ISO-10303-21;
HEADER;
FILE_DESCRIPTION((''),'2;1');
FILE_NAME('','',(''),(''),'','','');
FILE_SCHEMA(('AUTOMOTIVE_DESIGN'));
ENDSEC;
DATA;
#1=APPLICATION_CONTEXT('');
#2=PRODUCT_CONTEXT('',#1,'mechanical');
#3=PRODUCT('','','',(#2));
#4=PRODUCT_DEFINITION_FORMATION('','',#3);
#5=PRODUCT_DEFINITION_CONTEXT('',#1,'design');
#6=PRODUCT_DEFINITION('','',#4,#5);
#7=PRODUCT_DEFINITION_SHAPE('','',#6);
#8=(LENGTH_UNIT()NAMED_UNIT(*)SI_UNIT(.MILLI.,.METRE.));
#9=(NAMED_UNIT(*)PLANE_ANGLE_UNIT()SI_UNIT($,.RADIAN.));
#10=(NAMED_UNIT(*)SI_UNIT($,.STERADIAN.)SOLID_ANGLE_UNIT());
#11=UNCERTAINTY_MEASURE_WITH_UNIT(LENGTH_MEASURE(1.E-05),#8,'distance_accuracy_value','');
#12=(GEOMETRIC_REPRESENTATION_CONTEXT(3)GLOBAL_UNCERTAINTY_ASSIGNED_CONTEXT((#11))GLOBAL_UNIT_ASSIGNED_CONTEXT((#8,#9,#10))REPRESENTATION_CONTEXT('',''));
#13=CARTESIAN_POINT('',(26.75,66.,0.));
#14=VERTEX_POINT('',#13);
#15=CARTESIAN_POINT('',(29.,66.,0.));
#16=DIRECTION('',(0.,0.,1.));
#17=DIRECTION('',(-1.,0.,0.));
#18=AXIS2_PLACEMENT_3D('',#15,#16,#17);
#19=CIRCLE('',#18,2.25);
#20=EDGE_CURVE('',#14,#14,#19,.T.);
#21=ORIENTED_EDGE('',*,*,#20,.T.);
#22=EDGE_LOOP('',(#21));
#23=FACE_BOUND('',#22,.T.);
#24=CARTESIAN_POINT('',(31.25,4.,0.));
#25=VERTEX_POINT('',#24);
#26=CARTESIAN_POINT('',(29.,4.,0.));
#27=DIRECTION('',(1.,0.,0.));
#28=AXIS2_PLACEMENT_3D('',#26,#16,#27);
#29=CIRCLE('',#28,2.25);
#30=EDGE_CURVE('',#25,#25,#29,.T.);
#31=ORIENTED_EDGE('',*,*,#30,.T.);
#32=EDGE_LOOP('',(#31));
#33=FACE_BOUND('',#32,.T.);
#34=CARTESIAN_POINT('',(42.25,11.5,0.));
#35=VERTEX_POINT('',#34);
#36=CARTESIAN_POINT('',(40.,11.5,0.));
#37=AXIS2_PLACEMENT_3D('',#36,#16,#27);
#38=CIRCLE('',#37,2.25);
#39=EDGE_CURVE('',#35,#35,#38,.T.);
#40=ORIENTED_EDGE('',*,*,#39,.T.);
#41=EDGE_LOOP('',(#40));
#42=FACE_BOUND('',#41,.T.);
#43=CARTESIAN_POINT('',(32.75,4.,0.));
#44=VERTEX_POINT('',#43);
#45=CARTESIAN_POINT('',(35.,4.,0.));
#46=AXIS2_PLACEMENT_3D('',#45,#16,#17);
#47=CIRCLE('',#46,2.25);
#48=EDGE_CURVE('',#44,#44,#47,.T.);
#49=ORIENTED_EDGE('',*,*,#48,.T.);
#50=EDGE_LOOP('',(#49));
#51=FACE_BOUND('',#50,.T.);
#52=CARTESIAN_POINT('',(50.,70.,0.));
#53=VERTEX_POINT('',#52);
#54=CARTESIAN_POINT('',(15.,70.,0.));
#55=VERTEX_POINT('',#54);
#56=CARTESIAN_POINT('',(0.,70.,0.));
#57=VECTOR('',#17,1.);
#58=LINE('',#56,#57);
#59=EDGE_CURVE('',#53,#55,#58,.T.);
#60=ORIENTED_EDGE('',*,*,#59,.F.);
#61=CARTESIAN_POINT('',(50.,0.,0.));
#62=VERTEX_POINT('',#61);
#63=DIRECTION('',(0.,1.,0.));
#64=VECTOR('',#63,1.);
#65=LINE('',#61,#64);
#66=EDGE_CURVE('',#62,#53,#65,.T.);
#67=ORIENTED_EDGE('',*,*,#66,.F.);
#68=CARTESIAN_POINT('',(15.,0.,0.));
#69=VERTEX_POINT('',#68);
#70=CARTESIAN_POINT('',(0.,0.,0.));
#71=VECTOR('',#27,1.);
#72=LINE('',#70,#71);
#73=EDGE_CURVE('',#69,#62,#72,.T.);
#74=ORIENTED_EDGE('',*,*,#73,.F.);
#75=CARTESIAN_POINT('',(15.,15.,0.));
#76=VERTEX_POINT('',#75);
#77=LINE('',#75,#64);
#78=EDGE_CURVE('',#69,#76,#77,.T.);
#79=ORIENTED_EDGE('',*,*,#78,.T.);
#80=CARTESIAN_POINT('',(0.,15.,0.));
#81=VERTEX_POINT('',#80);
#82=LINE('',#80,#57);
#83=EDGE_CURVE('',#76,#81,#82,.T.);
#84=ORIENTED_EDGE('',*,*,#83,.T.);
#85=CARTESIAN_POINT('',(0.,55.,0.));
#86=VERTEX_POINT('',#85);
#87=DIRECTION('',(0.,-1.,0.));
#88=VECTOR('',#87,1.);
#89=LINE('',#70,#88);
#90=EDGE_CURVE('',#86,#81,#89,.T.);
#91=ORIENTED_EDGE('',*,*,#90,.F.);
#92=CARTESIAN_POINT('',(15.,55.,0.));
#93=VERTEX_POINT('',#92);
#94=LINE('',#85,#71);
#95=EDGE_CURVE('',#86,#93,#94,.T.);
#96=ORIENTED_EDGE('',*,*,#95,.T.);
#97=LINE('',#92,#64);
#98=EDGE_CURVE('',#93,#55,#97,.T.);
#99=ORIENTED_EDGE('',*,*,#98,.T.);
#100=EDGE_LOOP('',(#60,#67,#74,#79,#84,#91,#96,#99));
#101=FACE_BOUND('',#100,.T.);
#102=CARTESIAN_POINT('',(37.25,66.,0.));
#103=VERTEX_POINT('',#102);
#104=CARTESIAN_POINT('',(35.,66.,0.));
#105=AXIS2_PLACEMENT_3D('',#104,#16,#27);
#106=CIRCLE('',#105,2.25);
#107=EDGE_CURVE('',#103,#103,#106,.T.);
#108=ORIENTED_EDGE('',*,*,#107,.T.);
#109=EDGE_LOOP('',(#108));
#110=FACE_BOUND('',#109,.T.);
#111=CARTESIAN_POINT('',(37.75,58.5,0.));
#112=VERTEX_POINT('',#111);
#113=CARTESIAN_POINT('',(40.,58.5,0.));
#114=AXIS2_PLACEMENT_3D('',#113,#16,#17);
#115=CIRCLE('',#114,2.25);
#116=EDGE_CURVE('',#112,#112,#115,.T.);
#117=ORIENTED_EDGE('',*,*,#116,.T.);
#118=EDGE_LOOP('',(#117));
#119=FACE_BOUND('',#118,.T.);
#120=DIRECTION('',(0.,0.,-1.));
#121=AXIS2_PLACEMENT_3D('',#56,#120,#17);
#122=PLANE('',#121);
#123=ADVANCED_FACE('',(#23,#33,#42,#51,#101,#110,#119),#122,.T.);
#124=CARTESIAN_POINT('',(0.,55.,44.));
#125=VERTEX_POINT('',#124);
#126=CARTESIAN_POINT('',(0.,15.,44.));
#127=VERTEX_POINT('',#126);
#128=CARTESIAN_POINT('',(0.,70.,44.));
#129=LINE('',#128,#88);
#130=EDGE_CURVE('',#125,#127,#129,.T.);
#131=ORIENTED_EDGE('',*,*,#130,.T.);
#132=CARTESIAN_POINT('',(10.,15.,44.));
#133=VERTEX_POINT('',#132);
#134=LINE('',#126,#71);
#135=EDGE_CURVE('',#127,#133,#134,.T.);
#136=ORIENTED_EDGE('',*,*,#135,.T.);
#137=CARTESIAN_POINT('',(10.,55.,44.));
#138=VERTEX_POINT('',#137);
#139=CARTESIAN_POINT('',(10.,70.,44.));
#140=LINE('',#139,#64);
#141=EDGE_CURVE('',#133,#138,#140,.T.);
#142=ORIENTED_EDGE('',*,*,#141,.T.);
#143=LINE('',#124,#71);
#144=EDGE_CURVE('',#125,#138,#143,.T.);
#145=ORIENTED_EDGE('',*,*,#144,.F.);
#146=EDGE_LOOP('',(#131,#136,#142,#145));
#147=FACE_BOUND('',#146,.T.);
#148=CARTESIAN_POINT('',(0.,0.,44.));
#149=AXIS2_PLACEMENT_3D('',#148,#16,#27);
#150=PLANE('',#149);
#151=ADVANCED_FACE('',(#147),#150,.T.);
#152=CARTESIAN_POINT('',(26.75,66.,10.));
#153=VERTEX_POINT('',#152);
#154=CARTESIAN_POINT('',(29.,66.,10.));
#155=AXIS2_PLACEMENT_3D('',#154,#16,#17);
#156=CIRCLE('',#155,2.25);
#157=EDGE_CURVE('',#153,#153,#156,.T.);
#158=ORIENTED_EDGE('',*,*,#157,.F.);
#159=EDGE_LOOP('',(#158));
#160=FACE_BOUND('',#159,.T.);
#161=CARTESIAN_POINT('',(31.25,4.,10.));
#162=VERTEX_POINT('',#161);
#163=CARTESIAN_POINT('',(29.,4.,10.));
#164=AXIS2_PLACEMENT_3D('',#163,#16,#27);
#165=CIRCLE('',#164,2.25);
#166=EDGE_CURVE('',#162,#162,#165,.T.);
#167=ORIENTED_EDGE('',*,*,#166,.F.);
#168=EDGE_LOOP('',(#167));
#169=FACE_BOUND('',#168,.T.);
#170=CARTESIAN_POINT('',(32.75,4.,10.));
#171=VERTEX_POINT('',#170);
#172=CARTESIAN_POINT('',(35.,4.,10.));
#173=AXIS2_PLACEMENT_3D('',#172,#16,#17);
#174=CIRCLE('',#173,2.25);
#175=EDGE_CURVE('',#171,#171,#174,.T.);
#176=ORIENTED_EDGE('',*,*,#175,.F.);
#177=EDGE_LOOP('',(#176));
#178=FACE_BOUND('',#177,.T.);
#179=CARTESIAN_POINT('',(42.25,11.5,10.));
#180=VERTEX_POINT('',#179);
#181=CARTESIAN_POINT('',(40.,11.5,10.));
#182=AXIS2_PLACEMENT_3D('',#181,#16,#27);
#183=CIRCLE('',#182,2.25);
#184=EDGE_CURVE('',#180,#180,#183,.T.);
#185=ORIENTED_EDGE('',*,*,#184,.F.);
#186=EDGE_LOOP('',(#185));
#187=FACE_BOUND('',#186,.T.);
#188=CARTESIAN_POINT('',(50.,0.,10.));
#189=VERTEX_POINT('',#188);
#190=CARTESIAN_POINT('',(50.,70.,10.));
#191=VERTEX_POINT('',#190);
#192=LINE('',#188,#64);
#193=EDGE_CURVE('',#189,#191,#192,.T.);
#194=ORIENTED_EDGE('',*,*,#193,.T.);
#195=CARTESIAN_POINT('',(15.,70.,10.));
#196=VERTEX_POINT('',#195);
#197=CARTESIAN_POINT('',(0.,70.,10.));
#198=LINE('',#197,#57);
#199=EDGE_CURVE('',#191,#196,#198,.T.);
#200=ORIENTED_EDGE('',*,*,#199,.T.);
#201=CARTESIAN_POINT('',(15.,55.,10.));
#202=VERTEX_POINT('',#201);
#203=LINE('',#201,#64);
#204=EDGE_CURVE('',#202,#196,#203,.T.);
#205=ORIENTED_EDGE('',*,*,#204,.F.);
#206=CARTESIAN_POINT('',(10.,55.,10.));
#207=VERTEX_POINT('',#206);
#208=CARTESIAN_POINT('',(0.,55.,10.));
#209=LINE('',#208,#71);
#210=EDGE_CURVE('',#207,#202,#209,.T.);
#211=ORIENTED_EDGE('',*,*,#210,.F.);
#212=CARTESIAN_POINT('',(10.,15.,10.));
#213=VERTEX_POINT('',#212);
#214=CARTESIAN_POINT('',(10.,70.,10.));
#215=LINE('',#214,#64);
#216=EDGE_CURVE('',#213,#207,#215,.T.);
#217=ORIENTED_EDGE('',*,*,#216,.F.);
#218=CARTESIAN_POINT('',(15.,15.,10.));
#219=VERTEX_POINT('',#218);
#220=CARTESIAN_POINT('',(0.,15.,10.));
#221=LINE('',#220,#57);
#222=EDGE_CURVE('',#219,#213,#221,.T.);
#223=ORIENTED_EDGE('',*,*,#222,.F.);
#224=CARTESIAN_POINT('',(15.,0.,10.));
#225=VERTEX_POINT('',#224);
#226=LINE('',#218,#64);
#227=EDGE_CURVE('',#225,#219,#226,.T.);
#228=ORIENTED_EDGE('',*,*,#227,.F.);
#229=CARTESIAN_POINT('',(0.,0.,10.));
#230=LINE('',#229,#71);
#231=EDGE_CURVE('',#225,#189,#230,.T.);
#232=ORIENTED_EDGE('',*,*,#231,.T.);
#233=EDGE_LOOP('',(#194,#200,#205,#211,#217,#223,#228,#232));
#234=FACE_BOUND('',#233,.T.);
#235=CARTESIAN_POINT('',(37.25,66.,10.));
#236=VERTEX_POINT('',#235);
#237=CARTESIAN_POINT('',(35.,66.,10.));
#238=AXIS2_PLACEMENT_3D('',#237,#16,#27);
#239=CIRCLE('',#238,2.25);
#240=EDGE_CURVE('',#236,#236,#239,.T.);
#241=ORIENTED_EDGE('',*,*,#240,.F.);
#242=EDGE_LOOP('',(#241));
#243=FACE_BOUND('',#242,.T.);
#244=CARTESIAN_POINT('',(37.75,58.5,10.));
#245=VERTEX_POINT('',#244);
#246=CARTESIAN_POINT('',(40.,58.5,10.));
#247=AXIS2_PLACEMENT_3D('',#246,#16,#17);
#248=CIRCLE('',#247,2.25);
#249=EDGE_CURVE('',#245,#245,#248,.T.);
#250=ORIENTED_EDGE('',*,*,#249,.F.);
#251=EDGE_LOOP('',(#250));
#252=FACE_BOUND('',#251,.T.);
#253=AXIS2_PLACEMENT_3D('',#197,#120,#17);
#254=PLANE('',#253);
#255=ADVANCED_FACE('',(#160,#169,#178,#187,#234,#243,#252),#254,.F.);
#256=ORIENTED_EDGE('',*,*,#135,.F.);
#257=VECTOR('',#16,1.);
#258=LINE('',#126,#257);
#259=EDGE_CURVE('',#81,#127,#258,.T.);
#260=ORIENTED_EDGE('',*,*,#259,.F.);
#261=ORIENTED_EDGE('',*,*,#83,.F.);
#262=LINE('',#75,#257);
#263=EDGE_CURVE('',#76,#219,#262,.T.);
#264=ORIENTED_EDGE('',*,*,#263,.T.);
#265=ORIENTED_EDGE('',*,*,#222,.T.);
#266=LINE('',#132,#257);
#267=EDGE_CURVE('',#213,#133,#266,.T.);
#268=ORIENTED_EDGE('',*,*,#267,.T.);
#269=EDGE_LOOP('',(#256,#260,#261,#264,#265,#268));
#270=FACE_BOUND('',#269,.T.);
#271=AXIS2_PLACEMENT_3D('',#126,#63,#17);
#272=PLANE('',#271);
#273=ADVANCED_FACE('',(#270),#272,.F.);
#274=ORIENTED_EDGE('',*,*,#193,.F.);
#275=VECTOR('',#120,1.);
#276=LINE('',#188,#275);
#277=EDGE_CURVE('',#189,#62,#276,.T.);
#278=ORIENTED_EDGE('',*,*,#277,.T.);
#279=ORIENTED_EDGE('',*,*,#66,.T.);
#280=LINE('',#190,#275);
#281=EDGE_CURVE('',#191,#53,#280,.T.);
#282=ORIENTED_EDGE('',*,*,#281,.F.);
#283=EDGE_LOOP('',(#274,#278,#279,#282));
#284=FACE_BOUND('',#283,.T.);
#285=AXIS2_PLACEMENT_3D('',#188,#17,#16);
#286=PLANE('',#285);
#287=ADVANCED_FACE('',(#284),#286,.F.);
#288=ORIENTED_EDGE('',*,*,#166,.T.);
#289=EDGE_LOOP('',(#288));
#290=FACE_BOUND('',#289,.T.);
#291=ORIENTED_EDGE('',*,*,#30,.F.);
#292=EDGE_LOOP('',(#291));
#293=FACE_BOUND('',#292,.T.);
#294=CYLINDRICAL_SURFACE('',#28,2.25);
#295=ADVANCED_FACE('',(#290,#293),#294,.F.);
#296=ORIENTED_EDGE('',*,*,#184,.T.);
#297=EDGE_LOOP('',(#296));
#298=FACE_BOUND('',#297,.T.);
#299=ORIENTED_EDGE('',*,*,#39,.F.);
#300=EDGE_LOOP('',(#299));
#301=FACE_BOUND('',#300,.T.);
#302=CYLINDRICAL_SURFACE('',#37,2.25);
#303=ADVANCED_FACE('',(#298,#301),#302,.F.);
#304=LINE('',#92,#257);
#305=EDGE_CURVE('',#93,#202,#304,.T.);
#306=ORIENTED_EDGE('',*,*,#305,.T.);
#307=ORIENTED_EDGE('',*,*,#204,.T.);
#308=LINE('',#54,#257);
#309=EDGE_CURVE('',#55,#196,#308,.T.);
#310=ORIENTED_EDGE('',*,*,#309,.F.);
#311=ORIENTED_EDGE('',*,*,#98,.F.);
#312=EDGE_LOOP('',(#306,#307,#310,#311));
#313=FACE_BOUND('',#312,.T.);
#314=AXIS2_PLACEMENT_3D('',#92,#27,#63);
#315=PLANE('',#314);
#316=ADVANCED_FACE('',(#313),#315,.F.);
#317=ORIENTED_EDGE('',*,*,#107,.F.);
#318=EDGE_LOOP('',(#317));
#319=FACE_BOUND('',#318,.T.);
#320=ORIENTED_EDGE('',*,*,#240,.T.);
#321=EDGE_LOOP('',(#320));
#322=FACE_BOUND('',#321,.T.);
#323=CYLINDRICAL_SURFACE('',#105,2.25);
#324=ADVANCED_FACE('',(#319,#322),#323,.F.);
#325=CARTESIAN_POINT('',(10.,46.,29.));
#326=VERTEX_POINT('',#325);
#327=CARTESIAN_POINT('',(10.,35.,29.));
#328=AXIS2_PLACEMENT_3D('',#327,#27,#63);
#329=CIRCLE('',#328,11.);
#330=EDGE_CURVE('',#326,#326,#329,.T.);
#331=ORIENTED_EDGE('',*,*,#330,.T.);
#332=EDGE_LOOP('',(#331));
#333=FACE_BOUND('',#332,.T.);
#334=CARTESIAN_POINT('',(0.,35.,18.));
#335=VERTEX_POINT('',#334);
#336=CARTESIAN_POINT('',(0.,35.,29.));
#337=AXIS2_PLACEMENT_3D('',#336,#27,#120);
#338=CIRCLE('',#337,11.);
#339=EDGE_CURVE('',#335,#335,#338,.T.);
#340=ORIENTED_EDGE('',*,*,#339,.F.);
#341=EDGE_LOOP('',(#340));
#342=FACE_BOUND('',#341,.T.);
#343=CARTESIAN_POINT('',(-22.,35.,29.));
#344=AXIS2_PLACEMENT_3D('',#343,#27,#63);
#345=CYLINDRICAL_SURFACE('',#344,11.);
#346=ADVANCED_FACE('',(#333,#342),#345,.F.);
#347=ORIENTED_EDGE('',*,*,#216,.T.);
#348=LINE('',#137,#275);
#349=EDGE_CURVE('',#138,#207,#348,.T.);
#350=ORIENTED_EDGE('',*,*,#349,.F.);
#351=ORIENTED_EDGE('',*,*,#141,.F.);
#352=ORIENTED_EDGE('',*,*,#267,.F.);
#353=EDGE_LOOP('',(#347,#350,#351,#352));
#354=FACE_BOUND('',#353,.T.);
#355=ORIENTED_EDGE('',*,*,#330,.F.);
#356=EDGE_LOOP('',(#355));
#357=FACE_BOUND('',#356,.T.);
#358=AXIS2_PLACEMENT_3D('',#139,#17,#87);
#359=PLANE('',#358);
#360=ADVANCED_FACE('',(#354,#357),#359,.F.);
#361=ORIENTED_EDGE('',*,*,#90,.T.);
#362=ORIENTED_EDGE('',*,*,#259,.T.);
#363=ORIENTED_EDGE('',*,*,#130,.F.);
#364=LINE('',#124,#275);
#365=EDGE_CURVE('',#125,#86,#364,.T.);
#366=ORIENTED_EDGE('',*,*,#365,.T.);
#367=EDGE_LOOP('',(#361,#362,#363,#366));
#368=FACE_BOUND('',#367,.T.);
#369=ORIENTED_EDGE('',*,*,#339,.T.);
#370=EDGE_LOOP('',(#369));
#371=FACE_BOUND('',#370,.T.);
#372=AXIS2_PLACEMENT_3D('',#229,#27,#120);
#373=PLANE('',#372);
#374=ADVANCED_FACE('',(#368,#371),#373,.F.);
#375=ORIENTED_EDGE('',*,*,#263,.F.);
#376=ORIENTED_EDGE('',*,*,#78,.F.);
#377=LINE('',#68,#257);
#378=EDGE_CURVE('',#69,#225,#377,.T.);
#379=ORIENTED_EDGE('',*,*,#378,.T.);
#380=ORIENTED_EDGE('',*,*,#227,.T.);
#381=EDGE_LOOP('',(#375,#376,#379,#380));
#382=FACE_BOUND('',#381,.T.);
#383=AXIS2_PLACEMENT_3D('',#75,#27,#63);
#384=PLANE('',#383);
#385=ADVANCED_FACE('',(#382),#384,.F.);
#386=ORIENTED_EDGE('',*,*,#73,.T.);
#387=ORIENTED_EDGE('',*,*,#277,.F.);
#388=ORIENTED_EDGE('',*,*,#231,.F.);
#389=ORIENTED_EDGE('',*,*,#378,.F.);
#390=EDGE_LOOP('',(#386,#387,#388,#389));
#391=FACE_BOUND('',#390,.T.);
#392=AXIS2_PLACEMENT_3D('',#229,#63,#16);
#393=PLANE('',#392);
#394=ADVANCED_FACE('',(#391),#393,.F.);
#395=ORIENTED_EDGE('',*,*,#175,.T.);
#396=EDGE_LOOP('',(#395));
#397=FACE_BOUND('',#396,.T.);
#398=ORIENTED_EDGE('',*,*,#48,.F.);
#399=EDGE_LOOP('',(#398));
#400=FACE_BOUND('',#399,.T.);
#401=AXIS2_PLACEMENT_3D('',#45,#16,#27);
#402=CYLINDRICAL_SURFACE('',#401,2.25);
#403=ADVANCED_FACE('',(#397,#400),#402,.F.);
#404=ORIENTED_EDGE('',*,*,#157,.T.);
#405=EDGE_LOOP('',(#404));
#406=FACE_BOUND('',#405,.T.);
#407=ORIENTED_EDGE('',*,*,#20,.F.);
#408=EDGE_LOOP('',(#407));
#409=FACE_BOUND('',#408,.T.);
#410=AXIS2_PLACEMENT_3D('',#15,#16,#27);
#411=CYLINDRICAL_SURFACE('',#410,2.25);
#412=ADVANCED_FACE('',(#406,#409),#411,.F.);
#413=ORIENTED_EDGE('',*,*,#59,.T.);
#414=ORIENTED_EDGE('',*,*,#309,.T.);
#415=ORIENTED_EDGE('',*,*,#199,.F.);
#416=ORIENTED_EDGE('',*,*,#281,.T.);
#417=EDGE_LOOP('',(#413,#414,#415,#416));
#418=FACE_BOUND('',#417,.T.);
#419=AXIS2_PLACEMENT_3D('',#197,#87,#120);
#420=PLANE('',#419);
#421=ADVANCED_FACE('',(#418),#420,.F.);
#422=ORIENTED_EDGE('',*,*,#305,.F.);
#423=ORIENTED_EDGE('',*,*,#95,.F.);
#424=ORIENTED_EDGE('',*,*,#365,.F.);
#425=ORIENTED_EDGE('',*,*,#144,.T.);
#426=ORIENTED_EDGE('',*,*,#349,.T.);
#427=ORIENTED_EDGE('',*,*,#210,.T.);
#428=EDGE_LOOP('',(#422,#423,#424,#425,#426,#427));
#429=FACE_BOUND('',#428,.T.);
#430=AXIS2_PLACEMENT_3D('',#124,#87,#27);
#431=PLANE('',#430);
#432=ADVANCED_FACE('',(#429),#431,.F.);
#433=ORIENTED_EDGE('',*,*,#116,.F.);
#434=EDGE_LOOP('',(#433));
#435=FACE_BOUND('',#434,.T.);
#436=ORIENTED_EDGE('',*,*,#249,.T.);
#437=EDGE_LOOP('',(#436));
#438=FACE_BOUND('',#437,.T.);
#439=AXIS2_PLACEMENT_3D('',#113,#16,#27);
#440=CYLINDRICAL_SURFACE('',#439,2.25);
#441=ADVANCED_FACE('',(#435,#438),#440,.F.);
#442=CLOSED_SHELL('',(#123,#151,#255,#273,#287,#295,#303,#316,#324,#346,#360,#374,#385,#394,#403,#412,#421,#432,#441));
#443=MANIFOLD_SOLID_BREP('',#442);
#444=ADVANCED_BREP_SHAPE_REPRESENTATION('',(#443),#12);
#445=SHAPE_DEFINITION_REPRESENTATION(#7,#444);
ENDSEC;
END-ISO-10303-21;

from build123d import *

# Parameters (mm, degrees)
SKETCH_1_W          = 50
SKETCH_1_H          = 70
EXTRUDE_1_DEPTH     = 10
SKETCH_2_W          = 10
SKETCH_2_H          = 70
EXTRUDE_2_DEPTH     = 34
SKETCH_3_R          = 11
CUT_EXTRUDE_1_DEPTH = 32
SKETCH_4_R          = 2.25
CUT_EXTRUDE_2_DEPTH = 93.498648639
SKETCH_5_R          = 2.25
CUT_EXTRUDE_3_DEPTH = 93.498648639
SKETCH_6_W          = 34
SKETCH_6_H          = 15
CUT_EXTRUDE_4_DEPTH = 92.847700026
SKETCH_7_W          = 15
SKETCH_7_H          = 15
CUT_EXTRUDE_5_DEPTH = 93.498648639


with BuildPart() as part:
    # 草图1 → 凸台-拉伸1 (new body)
    with BuildSketch(Plane.XY):
        with Locations((25, 35)):
            Rectangle(SKETCH_1_W, SKETCH_1_H)
    extrude(amount=EXTRUDE_1_DEPTH)

    # 草图2 → 凸台-拉伸2 (add)
    with BuildSketch(Plane.XY.offset(10)):
        with Locations((5, 35)):
            Rectangle(SKETCH_2_W, SKETCH_2_H)
    extrude(amount=EXTRUDE_2_DEPTH)

    # 草图3 → 切除-拉伸1 (cut)
    with BuildSketch(Plane(origin=(10, 0, 0), x_dir=(0, 0, -1), z_dir=(1, 0, 0))):
        with Locations(Location((-29, 35, 0), (0, 0, 90))):
            Circle(SKETCH_3_R)
    extrude(amount=-CUT_EXTRUDE_1_DEPTH, mode=Mode.SUBTRACT)

    # 草图4 → 切除-拉伸2 (cut, through all)
    with BuildSketch(Plane.XY.offset(10)):
        with Locations((40, 11.5)):
            Circle(SKETCH_4_R)
        with Locations(Location((40, 58.5, 0), (0, 0, 180))):
            Circle(SKETCH_4_R)
    extrude(amount=-CUT_EXTRUDE_2_DEPTH, mode=Mode.SUBTRACT)

    # 草图5 → 切除-拉伸3 (cut, through all)
    with BuildSketch(Plane.XY.offset(10)):
        with Locations((35, 66)):
            Circle(SKETCH_5_R)
        with Locations(Location((35, 4, 0), (0, 0, 180))):
            Circle(SKETCH_5_R)
        with Locations((29, 4)):
            Circle(SKETCH_5_R)
        with Locations(Location((29, 66, 0), (0, 0, 180))):
            Circle(SKETCH_5_R)
    extrude(amount=-CUT_EXTRUDE_3_DEPTH, mode=Mode.SUBTRACT)

    # 草图6 → 切除-拉伸4 (cut, through all)
    with BuildSketch(Plane(origin=(10, 0, 0), x_dir=(0, 0, -1), z_dir=(1, 0, 0))):
        with Locations((-27, 7.5)):
            Rectangle(SKETCH_6_W, SKETCH_6_H)
        with Locations((-27, 62.5)):
            Rectangle(SKETCH_6_W, SKETCH_6_H)
    extrude(amount=-CUT_EXTRUDE_4_DEPTH, mode=Mode.SUBTRACT)

    # 草图7 → 切除-拉伸5 (cut, through all)
    with BuildSketch(Plane.XY.offset(10)):
        with Locations((7.5, 7.5)):
            Rectangle(SKETCH_7_W, SKETCH_7_H)
        with Locations((7.5, 62.5)):
            Rectangle(SKETCH_7_W, SKETCH_7_H)
    extrude(amount=-CUT_EXTRUDE_5_DEPTH, mode=Mode.SUBTRACT)


solid = part.part
